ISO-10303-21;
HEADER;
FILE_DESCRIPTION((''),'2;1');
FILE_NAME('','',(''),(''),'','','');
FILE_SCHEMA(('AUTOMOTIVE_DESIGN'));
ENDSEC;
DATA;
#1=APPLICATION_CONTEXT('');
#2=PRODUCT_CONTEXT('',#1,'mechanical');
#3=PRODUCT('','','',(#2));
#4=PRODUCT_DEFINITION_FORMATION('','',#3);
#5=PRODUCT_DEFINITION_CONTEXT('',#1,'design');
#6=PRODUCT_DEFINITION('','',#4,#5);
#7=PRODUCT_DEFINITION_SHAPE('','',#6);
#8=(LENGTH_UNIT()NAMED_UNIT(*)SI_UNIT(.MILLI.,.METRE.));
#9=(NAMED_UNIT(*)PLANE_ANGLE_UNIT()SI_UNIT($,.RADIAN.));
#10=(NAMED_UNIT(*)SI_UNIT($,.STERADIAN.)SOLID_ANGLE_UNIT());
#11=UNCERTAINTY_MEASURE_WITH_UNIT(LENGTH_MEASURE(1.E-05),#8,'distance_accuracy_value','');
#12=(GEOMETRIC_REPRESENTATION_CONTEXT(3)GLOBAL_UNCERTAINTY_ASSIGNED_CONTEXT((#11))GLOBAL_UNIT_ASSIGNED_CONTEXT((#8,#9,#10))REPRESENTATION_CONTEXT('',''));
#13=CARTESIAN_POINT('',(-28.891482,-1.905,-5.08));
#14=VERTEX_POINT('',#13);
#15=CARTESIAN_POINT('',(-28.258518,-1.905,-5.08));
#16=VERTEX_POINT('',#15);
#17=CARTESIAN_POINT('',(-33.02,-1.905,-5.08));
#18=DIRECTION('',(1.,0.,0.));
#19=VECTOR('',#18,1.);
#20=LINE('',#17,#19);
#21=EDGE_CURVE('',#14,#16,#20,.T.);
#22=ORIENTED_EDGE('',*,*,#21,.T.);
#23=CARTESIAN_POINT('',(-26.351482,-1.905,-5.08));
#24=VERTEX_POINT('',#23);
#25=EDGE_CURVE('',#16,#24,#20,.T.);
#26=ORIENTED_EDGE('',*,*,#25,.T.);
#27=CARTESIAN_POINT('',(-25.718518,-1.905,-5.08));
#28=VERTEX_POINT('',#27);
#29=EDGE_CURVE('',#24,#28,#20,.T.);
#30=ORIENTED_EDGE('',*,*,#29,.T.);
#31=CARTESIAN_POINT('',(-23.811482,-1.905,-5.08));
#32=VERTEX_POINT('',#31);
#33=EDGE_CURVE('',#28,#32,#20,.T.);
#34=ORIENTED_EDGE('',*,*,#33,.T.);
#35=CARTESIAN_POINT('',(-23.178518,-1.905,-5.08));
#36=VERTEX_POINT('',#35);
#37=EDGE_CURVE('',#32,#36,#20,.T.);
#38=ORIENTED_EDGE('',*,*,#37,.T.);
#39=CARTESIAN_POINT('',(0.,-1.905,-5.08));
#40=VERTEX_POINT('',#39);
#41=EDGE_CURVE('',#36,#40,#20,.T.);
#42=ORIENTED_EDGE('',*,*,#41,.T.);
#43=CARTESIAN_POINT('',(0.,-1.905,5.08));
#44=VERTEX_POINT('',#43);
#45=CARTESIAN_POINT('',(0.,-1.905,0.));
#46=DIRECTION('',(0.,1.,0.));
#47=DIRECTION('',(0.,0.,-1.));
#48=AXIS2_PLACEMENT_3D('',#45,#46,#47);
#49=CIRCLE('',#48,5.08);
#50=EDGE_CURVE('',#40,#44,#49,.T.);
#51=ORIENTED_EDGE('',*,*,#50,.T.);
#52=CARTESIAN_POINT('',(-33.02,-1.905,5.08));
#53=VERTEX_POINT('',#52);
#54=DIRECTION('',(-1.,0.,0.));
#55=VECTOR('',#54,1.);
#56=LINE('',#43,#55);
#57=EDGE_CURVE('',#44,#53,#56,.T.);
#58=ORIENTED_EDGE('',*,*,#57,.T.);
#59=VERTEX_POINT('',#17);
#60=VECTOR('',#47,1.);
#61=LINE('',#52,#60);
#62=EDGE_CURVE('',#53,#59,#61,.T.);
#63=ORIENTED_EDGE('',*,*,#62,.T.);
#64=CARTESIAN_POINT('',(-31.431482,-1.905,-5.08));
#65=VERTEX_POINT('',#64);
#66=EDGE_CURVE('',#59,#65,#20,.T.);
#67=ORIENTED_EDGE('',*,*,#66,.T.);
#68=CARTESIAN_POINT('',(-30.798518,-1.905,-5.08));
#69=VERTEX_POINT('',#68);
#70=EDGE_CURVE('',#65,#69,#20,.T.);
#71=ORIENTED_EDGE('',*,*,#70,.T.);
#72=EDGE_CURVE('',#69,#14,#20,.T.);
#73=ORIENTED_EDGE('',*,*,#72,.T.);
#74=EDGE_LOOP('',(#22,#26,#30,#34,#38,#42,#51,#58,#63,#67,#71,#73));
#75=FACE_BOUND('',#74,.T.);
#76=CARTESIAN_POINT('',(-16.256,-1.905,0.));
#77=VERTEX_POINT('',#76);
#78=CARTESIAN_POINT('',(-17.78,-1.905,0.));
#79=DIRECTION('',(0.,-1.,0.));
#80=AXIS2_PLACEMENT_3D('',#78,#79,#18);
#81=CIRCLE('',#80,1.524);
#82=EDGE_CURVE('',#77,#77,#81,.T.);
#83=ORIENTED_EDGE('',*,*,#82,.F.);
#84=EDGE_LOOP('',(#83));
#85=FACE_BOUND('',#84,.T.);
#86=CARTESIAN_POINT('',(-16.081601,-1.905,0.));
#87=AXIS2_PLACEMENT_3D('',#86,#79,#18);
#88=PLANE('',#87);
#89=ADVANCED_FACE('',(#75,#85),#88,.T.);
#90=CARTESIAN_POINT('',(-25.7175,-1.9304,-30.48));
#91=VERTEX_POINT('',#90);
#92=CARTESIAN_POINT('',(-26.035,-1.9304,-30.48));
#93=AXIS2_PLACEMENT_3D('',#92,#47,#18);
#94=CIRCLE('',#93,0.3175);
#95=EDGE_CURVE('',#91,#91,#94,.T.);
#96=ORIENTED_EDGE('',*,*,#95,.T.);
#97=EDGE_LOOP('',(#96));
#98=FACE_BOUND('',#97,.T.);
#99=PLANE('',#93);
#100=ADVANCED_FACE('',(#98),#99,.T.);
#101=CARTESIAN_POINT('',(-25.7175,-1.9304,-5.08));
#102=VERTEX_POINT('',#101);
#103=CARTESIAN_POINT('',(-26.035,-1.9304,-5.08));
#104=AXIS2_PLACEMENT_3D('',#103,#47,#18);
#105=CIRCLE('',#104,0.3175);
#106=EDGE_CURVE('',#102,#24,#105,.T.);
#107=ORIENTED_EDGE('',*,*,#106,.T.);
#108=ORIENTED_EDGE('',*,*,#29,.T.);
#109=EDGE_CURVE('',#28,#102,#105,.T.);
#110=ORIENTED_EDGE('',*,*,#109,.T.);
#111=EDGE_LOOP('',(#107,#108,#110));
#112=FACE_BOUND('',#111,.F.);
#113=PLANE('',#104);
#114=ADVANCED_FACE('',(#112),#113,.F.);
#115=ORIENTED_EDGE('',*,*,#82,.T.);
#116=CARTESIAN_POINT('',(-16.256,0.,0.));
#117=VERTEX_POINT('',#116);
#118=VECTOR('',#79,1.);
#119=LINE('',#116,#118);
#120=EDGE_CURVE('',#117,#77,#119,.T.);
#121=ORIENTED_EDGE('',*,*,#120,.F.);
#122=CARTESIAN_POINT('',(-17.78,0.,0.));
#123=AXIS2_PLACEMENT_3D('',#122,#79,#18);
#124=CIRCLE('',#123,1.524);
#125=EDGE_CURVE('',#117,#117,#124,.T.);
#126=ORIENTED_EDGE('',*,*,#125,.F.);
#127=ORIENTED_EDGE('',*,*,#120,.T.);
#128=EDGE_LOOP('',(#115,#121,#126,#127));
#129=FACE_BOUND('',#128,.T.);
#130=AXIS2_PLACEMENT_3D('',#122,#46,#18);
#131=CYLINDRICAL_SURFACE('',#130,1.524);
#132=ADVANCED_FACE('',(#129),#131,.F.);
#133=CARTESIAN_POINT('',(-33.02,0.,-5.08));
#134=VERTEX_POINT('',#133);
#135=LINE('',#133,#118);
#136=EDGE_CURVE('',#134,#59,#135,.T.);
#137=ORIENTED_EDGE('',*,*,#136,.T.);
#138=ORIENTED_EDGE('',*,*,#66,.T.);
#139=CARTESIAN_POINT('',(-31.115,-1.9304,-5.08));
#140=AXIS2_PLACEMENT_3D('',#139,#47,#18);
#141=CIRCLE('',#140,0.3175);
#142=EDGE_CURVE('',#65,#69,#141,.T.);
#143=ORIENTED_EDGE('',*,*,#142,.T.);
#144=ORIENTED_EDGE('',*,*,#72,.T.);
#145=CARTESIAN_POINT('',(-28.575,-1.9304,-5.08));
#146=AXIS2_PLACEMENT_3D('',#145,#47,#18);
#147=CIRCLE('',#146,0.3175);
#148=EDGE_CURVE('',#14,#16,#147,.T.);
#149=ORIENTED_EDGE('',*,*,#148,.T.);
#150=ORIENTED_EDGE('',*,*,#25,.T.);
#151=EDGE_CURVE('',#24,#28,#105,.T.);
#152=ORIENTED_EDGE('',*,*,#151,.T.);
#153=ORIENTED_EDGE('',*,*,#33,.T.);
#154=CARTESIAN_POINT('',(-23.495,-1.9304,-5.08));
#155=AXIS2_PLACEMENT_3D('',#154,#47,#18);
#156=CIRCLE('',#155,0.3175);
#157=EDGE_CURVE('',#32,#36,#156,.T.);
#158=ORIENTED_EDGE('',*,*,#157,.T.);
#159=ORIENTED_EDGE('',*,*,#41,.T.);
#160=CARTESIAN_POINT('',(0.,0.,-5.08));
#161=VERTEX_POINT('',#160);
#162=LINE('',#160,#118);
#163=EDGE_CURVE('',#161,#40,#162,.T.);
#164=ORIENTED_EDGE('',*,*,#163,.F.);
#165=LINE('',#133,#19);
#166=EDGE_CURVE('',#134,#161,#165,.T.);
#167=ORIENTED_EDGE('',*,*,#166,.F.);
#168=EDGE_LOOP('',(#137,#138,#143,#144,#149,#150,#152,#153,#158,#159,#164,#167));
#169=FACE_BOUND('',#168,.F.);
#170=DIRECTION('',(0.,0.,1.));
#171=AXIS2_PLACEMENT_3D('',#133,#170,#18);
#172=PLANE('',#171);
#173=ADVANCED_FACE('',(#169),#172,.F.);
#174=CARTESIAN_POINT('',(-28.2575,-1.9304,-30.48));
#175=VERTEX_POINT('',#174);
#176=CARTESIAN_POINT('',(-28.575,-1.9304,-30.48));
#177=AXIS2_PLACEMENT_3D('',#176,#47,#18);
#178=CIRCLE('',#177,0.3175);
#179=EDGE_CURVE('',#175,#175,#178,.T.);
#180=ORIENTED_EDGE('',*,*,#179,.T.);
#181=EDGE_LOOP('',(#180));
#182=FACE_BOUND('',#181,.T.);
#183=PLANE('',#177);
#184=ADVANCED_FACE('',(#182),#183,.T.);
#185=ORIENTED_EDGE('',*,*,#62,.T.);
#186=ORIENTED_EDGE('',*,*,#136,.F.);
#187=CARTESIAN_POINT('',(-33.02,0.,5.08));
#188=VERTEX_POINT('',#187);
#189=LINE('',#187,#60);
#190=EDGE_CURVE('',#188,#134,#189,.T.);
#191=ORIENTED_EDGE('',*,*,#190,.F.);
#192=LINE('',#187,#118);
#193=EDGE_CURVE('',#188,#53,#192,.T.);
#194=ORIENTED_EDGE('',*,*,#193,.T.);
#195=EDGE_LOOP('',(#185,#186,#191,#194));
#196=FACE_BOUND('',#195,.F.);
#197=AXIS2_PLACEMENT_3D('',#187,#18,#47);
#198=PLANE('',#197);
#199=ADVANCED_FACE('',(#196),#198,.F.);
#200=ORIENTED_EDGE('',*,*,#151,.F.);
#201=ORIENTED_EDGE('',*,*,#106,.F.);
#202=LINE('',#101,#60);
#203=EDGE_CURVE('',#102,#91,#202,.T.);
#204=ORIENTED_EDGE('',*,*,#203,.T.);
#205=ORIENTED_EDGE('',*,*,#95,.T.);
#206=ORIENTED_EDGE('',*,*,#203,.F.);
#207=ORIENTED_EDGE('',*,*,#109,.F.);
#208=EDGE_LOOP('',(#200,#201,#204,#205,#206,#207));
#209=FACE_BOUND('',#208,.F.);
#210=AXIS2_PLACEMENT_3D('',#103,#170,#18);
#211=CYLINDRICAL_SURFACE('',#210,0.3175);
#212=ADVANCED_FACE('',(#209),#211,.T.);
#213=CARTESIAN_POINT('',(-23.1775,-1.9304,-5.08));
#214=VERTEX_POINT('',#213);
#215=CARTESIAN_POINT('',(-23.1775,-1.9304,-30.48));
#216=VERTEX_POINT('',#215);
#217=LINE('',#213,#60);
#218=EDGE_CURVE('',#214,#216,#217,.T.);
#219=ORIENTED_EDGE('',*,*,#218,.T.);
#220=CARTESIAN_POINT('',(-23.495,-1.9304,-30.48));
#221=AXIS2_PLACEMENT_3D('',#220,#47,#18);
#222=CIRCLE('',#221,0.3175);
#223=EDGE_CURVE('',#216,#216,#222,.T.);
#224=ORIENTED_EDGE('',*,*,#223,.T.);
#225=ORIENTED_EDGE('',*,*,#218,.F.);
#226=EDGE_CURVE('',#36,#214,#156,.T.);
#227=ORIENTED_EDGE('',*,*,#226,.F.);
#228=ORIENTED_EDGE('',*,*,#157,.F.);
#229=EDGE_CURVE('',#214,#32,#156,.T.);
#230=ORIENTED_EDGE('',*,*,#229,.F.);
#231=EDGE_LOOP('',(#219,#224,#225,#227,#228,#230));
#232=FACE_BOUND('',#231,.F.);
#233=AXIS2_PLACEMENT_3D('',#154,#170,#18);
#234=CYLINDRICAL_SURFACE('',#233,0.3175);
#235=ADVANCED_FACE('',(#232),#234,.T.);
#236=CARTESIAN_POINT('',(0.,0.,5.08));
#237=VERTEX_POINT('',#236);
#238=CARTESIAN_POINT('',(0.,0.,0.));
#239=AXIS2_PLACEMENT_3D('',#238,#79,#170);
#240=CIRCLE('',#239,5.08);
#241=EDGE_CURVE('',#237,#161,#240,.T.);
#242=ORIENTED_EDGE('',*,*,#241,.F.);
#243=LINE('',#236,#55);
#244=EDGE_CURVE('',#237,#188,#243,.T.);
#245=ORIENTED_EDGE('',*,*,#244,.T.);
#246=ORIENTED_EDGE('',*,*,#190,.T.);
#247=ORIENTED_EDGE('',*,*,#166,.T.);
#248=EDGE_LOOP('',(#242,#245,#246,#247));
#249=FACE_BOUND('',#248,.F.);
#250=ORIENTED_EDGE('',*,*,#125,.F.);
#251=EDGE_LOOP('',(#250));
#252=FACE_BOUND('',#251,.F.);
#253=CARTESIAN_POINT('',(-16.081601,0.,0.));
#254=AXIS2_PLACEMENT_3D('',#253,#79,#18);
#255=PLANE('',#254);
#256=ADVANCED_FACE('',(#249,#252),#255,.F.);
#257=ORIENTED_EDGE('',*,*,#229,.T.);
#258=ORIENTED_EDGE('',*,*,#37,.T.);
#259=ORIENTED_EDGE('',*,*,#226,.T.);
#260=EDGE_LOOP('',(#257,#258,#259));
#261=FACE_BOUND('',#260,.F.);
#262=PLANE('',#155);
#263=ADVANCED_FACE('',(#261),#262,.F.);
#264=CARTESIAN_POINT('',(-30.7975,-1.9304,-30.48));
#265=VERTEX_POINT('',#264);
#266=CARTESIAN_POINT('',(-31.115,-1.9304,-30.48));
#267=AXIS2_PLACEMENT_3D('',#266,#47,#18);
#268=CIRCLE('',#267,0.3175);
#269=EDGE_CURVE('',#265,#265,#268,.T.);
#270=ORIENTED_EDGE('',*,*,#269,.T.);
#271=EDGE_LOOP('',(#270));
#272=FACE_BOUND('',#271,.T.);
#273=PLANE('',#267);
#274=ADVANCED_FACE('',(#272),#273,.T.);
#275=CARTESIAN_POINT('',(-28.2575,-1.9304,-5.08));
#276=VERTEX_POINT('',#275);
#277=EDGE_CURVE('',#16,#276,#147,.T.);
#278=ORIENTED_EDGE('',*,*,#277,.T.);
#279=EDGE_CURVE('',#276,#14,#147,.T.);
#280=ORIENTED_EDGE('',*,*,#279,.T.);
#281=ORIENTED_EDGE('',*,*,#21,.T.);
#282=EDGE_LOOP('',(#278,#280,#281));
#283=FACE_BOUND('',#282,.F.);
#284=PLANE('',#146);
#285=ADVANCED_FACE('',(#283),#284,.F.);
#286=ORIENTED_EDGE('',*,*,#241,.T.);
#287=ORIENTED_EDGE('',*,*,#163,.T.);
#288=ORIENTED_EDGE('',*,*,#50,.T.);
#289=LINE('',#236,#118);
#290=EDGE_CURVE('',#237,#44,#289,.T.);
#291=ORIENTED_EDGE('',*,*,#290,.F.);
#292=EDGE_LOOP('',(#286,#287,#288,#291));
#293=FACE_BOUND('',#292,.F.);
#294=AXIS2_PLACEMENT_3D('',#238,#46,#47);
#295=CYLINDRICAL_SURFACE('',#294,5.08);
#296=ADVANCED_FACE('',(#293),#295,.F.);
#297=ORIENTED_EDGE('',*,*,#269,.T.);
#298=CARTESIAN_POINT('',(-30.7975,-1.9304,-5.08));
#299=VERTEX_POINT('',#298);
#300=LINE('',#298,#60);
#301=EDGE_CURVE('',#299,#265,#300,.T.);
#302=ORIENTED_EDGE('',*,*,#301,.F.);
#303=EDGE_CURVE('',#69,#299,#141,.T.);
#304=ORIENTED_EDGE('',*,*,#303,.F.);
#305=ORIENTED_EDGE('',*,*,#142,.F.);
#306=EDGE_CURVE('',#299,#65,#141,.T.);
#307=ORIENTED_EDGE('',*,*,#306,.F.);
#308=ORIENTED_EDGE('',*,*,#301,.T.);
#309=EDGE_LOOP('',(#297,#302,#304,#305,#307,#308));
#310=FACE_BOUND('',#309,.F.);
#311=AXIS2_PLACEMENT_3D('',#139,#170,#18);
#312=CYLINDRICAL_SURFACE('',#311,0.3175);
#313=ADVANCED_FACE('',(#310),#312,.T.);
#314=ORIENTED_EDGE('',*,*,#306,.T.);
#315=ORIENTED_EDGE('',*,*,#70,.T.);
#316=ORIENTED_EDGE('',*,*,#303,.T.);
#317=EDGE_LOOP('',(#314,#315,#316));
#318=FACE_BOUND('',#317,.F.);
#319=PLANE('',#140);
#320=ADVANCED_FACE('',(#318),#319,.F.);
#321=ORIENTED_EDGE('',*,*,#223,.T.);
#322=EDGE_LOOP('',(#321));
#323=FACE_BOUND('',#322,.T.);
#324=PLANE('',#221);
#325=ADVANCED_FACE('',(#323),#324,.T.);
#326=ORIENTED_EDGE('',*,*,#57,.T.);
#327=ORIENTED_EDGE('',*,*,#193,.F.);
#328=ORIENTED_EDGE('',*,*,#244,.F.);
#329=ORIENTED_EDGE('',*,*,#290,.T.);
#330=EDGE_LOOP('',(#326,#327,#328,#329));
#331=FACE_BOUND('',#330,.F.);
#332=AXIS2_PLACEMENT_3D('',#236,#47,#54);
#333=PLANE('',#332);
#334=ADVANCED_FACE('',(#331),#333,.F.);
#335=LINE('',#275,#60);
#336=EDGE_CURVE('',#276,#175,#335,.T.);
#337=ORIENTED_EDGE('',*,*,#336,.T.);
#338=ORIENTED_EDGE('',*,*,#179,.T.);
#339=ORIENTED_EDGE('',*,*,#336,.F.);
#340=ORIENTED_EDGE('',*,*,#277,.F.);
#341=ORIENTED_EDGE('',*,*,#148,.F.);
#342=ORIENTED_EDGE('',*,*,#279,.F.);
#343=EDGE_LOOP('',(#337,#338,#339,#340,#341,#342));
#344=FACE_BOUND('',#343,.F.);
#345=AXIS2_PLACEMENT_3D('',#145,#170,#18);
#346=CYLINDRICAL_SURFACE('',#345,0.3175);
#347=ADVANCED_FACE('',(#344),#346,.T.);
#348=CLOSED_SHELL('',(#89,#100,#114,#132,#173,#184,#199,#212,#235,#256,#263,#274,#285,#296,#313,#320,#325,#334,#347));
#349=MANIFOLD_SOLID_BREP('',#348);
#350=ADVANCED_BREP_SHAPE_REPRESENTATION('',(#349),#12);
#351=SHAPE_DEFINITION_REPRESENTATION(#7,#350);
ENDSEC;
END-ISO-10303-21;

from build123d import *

# Parameters (mm, degrees)
F0_R     = 1.524
F1_DEPTH = 1.905
F2_R     = 0.3175
F3_DEPTH = 25.4
F4_R     = 5.08
F5_DEPTH = 3.83728


with BuildPart() as f1:
    # F0 (on Front) → F1 (new body)
    with BuildSketch(Plane.XZ):
        with BuildLine():
            ThreePointArc((0, -5.08), (3.592102, -3.592102), (5.08, 0))
            ThreePointArc((5.08, 0), (3.592102, 3.592102), (0, 5.08))
            Line((0, 5.08), (0, -5.08))
        make_face()
        with BuildLine():
            ThreePointArc((0, -5.08), (-5.08, 0), (0, 5.08))
            Line((0, 5.08), (-33.02, 5.08))
            Line((-33.02, 5.08), (-33.02, -5.08))
            Line((-33.02, -5.08), (0, -5.08))
        make_face()
        with Locations((-17.78, 0)):
            Circle(F0_R, mode=Mode.SUBTRACT)
    extrude(amount=F1_DEPTH)

    # F2 (on face) → F3 (join)
    with BuildSketch(Plane(origin=(0, 0, -5.08), x_dir=(1, 0, 0), z_dir=(0, 0, -1))):
        with Locations((-31.115, 1.9304)):
            Circle(F2_R)
        with Locations((-28.575, 1.9304)):
            Circle(F2_R)
        with Locations((-26.035, 1.9304)):
            Circle(F2_R)
        with Locations((-23.495, 1.9304)):
            Circle(F2_R)
    extrude(amount=F3_DEPTH)

    # F4 (on face) → F5 (cut)
    with BuildSketch(Plane(origin=(0, 0, 0), x_dir=(-1, 0, 0), z_dir=(0, 1, 0))):
        Circle(F4_R)
    extrude(amount=-F5_DEPTH, mode=Mode.SUBTRACT)


solid = f1.part
